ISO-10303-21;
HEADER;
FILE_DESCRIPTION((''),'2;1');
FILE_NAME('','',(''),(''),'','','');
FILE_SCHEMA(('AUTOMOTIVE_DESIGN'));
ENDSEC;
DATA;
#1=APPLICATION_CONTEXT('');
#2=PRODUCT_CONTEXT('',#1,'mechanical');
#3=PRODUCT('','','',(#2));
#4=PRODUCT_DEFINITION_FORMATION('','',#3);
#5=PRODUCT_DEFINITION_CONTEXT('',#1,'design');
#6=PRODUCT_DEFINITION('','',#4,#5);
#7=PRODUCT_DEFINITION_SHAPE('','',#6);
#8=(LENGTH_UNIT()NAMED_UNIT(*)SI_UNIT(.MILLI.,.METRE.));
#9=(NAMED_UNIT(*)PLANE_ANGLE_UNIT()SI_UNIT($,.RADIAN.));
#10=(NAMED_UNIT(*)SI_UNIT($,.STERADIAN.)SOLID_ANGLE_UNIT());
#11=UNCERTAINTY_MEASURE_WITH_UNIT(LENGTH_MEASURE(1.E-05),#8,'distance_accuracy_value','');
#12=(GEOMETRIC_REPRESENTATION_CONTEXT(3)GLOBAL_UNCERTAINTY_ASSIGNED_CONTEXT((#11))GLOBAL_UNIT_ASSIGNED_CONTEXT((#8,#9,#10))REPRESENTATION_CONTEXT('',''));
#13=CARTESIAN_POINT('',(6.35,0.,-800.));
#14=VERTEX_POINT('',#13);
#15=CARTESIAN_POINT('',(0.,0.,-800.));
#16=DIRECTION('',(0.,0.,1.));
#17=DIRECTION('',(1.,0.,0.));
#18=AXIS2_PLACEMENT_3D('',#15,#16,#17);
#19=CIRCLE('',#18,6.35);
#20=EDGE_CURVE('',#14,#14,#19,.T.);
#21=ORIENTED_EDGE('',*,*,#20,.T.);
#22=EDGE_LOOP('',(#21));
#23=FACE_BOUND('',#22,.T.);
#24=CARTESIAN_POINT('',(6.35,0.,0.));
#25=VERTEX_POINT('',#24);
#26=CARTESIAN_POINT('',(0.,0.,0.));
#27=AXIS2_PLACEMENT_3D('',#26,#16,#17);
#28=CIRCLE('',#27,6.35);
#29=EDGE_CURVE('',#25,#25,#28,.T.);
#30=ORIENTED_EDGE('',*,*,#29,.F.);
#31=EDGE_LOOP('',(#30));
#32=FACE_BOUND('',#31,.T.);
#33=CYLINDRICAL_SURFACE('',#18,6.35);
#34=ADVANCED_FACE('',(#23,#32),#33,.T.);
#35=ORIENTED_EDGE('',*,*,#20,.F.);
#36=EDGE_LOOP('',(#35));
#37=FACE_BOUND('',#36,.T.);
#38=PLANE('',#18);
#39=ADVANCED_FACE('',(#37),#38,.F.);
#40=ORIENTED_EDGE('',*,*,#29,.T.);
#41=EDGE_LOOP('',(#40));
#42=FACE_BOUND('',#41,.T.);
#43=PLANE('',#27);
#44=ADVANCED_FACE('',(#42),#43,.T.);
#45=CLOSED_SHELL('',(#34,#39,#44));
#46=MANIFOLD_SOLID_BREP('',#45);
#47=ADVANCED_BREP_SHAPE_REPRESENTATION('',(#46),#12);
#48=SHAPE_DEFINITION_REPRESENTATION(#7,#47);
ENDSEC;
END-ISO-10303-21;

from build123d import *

# Parameters (mm, degrees)
CROQUIS1_R = 6.35


with BuildPart() as part:
    # Barrer1: sweep along a path in Croquis2
    with BuildLine(Plane(origin=(0, 0, 0), x_dir=(0, 0, -1), z_dir=(1, 0, 0))) as barrer1_path:
        Line((0, 0), (800, 0))
    # Croquis1 → Barrer1 (sweep)
    with BuildSketch(Plane.XY):
        Circle(CROQUIS1_R)
    sweep(path=barrer1_path.line)


solid = part.part
